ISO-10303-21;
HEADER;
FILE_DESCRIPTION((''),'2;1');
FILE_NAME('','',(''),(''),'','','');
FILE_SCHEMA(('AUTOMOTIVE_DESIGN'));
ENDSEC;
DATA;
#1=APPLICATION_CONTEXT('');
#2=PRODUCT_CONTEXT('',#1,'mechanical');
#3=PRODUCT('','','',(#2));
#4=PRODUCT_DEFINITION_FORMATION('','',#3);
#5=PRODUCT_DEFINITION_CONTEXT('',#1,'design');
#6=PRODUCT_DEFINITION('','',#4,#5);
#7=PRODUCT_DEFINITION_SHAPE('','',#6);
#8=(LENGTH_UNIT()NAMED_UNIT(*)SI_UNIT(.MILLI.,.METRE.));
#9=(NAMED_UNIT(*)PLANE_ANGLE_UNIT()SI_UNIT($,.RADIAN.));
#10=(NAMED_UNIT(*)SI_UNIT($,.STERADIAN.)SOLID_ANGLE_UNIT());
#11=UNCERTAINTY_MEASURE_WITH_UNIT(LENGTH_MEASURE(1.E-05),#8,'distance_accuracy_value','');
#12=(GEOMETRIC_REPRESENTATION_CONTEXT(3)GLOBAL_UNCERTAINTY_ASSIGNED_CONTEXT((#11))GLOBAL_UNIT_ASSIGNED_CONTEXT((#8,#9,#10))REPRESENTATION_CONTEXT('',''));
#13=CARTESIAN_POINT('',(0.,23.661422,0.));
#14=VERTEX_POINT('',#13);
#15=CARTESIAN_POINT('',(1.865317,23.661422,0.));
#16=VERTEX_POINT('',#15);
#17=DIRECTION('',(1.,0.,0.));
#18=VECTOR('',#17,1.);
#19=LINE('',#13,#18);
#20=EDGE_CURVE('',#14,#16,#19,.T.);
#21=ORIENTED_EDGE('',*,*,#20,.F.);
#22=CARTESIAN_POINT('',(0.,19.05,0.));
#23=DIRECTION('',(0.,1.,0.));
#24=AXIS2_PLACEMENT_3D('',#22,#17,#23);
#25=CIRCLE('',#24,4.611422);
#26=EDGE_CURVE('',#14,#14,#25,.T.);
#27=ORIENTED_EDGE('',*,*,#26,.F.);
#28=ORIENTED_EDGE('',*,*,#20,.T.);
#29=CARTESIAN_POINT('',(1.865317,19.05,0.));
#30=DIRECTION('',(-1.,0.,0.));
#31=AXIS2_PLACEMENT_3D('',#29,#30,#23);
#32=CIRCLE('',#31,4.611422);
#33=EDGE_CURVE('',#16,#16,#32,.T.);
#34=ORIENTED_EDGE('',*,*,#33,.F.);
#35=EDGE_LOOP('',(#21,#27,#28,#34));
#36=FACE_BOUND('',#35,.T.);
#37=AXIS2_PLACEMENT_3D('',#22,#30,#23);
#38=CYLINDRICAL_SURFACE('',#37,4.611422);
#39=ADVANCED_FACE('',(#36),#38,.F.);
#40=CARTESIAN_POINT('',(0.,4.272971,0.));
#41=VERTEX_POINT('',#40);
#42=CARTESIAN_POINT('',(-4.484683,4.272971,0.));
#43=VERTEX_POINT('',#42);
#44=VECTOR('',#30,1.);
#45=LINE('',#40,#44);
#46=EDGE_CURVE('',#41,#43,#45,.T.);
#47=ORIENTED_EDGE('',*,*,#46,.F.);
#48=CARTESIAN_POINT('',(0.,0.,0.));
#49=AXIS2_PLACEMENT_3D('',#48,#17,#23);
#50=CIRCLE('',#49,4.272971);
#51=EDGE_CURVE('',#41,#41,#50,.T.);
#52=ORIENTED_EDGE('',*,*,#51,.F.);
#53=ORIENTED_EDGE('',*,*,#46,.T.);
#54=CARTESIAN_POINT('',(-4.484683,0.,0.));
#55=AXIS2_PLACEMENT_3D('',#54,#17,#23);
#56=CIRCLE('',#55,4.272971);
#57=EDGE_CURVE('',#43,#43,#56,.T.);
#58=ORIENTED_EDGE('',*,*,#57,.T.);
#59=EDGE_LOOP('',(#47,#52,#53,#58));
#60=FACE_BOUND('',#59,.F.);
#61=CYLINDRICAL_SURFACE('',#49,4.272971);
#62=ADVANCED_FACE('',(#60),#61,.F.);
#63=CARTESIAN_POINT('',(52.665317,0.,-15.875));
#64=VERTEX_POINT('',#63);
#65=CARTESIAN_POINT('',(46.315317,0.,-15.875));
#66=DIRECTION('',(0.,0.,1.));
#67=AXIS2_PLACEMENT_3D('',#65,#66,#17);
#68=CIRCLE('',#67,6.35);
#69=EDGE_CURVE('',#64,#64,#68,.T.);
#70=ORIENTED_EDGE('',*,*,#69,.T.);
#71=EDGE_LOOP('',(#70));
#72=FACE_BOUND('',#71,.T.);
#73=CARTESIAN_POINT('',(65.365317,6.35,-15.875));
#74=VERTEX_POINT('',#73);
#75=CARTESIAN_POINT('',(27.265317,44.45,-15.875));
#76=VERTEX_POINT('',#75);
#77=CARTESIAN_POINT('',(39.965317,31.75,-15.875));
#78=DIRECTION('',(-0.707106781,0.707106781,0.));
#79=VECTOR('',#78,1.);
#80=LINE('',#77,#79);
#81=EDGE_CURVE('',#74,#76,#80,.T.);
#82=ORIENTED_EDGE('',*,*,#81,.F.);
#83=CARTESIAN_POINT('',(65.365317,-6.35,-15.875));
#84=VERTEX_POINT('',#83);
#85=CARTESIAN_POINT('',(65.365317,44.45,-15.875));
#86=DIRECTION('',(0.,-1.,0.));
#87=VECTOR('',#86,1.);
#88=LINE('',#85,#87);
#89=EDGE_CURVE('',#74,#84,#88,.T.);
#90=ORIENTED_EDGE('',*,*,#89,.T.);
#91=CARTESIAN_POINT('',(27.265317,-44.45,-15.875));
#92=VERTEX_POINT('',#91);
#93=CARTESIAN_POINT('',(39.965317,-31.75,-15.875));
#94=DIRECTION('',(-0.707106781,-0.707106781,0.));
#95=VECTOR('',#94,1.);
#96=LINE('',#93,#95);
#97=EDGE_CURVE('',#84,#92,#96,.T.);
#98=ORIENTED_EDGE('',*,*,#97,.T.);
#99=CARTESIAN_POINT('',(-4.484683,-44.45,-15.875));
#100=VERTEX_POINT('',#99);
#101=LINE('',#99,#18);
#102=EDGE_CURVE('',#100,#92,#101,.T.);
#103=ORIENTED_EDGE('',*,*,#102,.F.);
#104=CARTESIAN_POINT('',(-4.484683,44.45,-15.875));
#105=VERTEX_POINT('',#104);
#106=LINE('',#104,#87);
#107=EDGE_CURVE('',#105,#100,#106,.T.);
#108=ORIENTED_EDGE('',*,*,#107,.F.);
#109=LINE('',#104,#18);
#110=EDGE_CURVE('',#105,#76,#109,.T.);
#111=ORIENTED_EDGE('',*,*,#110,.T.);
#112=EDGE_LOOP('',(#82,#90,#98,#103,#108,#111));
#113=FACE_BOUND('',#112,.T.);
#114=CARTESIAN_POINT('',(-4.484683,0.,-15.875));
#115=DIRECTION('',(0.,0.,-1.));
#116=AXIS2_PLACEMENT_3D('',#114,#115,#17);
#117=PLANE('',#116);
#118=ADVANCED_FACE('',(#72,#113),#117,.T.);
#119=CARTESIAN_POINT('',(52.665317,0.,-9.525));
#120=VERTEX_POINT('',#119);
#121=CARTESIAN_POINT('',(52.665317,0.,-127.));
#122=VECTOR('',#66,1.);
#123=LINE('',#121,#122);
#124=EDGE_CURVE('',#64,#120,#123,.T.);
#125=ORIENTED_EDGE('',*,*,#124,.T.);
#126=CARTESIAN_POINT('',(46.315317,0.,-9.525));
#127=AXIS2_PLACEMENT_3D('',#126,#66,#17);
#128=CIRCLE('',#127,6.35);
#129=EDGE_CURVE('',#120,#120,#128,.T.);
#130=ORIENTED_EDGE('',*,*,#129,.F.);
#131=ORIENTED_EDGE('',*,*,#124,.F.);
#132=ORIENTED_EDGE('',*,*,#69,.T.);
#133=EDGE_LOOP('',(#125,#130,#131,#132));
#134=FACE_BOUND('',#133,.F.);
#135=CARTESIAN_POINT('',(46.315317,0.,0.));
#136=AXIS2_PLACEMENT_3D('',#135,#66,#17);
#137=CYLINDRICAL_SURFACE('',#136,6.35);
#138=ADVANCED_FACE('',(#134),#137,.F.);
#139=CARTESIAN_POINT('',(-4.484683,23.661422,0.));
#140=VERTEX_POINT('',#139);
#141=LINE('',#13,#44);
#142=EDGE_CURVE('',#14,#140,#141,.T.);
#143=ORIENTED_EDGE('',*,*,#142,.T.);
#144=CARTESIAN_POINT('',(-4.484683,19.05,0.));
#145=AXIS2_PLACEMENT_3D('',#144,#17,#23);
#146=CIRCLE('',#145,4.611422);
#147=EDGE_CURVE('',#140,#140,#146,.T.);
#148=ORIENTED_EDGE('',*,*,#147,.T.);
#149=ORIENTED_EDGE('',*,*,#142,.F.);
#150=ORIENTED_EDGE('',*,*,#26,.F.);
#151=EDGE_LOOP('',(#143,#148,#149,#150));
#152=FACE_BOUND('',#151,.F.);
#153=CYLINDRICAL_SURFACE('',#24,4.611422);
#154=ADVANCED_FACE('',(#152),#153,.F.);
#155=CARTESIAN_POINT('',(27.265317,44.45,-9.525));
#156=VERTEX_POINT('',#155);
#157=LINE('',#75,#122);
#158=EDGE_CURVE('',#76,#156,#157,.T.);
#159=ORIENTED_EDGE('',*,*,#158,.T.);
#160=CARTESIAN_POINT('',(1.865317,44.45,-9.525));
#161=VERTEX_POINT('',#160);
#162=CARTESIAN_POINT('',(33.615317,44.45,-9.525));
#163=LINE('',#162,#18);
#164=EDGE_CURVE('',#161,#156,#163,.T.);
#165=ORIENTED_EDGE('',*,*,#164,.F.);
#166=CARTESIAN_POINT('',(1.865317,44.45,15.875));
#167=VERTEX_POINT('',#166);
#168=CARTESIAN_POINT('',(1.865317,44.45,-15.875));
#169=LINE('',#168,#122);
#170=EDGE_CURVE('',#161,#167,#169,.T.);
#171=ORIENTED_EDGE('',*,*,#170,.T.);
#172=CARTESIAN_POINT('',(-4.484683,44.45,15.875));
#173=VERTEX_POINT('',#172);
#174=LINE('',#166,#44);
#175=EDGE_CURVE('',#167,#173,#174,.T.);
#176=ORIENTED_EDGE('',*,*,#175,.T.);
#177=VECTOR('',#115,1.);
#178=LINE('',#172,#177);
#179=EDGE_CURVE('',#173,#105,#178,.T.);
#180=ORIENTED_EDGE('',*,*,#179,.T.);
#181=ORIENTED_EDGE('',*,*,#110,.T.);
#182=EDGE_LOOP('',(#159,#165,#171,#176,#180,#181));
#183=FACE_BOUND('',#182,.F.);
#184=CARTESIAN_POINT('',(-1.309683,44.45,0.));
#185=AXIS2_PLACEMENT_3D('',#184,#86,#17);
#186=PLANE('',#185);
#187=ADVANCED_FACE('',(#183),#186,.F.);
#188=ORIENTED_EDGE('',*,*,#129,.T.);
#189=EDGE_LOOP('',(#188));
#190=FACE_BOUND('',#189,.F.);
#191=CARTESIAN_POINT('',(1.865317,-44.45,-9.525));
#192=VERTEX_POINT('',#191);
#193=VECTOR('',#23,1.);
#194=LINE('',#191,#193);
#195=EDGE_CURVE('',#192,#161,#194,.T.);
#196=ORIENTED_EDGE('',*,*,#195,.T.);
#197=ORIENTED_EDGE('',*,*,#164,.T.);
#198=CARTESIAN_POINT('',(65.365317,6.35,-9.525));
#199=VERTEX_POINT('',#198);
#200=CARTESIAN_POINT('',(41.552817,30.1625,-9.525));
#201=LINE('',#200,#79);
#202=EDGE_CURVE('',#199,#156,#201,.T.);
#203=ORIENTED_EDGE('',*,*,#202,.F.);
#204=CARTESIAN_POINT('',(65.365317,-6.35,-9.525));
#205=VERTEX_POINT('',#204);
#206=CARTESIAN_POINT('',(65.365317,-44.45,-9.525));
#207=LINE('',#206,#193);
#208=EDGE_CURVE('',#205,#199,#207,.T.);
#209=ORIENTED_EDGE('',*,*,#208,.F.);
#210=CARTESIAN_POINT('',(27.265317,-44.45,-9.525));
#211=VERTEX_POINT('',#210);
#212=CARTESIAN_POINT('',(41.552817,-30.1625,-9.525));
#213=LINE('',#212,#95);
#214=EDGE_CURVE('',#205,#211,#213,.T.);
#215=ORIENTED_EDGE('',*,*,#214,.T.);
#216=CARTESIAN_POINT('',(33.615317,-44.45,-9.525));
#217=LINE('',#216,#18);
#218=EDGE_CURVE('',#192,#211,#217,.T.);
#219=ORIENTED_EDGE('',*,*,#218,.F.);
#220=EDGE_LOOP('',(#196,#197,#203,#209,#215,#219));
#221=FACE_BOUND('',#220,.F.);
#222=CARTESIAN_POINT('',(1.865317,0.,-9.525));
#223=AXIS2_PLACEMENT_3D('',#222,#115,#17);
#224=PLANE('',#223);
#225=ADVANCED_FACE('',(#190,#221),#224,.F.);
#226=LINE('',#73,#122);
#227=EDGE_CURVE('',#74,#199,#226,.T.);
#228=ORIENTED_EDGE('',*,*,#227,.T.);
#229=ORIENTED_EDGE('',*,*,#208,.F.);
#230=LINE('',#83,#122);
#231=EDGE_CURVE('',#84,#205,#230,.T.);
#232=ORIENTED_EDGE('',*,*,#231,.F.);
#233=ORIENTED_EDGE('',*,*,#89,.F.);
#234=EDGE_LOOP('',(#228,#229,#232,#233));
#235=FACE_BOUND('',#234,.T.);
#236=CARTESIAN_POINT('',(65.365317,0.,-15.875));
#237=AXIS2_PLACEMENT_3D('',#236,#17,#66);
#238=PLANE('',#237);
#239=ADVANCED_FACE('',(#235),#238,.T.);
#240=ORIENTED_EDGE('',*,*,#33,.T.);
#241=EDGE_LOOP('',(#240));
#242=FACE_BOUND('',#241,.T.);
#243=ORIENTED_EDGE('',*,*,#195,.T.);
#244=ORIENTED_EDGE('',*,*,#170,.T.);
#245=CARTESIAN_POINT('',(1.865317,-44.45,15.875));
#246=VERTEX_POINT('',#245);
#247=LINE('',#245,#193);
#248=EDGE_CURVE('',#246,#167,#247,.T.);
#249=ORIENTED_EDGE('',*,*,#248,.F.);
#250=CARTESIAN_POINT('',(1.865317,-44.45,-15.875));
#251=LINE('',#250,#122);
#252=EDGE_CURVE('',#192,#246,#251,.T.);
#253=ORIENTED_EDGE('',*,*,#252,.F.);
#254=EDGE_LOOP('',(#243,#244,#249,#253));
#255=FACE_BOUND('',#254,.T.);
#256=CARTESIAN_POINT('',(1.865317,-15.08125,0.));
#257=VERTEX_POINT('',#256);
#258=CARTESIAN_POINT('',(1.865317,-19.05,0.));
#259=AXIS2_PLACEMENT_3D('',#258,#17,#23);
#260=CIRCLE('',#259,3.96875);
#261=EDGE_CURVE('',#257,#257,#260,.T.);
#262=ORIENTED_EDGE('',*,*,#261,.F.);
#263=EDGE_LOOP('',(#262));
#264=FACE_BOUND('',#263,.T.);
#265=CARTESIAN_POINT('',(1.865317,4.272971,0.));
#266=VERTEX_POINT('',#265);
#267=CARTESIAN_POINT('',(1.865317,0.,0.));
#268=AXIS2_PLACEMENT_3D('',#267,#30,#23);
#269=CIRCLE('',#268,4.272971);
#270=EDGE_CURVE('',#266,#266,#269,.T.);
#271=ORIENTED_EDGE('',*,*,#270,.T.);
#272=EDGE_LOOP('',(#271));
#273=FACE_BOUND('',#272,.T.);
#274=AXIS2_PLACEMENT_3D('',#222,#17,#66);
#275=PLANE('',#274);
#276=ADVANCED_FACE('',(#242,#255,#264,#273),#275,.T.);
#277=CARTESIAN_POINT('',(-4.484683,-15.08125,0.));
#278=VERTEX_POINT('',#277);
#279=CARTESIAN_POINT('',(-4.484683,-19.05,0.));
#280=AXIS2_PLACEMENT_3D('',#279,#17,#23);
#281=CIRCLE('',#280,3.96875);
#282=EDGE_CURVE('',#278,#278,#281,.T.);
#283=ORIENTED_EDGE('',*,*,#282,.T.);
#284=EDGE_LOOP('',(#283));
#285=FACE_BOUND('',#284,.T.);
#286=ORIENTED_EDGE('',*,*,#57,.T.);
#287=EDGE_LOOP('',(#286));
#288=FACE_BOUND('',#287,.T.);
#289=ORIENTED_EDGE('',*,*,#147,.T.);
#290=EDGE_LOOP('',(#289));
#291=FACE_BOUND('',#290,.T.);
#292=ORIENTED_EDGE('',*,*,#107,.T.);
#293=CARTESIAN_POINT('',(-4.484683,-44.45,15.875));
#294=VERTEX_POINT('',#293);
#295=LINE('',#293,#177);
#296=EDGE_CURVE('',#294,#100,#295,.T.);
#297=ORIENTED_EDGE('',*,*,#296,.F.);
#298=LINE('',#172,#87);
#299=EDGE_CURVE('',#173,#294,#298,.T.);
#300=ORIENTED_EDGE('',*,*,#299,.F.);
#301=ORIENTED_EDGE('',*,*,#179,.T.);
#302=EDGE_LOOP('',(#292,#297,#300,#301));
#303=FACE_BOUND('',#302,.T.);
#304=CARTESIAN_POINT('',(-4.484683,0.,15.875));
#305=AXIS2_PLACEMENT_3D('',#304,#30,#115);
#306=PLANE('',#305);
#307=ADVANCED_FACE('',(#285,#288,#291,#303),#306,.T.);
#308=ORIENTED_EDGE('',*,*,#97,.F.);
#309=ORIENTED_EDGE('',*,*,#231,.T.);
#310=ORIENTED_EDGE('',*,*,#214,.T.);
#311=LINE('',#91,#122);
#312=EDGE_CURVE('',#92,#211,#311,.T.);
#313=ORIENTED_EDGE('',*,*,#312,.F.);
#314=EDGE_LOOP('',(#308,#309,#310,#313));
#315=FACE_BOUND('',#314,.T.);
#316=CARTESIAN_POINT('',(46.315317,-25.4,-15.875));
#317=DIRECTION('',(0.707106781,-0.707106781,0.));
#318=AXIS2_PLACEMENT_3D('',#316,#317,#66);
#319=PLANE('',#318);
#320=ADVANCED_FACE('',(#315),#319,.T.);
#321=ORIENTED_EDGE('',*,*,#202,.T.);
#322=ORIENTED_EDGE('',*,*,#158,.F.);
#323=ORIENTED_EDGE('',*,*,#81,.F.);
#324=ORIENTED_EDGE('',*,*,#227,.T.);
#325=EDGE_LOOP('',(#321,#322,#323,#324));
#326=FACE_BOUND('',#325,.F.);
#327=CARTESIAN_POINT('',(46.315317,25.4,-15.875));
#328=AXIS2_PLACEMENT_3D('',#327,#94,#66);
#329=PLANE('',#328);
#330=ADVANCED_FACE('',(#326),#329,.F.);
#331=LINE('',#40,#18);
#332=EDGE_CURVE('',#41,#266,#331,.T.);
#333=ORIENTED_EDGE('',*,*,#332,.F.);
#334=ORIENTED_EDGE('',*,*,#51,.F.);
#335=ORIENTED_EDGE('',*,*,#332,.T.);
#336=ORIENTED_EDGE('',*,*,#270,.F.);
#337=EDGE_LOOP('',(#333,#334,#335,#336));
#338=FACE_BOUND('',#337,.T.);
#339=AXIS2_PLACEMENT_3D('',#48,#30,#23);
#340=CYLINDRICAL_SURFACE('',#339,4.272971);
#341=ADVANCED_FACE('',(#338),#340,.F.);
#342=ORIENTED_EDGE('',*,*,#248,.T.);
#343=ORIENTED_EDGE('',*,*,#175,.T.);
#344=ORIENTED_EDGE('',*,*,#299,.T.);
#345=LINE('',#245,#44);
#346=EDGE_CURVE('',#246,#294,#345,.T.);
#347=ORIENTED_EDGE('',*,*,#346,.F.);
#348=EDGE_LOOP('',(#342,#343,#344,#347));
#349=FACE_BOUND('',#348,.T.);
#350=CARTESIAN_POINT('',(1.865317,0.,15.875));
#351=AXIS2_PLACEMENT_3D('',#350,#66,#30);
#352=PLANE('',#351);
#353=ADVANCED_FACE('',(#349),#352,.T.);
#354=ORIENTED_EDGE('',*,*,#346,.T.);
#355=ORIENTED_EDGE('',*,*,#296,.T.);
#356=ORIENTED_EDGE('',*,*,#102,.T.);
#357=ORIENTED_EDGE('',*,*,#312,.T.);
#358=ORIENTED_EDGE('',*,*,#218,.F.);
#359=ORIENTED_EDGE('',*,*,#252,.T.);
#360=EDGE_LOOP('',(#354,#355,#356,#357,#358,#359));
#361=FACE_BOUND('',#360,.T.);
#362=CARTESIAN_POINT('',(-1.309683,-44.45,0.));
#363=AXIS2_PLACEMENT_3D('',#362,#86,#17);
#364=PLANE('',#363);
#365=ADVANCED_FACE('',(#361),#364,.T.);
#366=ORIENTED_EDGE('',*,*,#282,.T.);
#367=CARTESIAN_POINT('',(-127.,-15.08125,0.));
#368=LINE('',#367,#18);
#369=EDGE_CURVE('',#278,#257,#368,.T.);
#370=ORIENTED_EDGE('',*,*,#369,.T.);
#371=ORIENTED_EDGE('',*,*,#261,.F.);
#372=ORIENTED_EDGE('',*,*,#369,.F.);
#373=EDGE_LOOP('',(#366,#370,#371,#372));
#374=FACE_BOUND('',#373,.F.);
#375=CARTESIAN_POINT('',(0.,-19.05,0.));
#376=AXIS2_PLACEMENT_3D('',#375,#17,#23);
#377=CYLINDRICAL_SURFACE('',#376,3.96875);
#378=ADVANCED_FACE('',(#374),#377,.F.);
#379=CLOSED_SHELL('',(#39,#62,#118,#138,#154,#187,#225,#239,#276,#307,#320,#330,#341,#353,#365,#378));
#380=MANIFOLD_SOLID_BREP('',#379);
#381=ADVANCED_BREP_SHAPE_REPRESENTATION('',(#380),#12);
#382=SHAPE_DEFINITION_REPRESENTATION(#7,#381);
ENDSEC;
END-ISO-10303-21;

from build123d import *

# Parameters (mm, degrees)
F0_W     = 63.5
F0_H     = 6.35
F1_DEPTH = 44.45
F2_SIZE  = 38.1
F3_SIZE  = 38.1
F4_R     = 4.2729711543
F4_R_2   = 4.6114221179
F4_R_3   = 3.96875
F5_DEPTH = 127
F6_R     = 6.35
F7_DEPTH = 127


with BuildPart() as f1:
    # F0 (on Front) → F1 (new body, symmetric)
    with BuildSketch(Plane.XZ):
        Polygon((1.8653165565, 15.875), (-4.4846834435, 15.875), (-4.4846834435, -15.875), (1.8653165565, -15.875), (1.8653165565, -9.525), align=None)
        with Locations((33.6153165565, -12.7)):
            Rectangle(F0_W, F0_H)
    extrude(amount=F1_DEPTH, both=True)

    # F2
    f2_edges = [f1.edges().sort_by_distance(p)[0] for p in [
        (65.365317, 44.45, -12.7),
    ]]
    chamfer(f2_edges, length=F2_SIZE)

    # F3
    f3_edges = [f1.edges().sort_by_distance(p)[0] for p in [
        (65.365317, -44.45, -12.7),
    ]]
    chamfer(f3_edges, length=F3_SIZE)

    # F4 (on Right) → F5 (cut, symmetric)
    with BuildSketch(Plane.YZ):
        Circle(F4_R)
        with Locations((19.05, 0)):
            Circle(F4_R_2)
        with Locations((-19.05, 0)):
            Circle(F4_R_3)
    extrude(amount=F5_DEPTH, both=True, mode=Mode.SUBTRACT)

    # F6 (on Top) → F7 (cut, symmetric)
    with BuildSketch(Plane.XY):
        with Locations((46.3153165565, 0)):
            Circle(F6_R)
    extrude(amount=F7_DEPTH, both=True, mode=Mode.SUBTRACT)


solid = f1.part
